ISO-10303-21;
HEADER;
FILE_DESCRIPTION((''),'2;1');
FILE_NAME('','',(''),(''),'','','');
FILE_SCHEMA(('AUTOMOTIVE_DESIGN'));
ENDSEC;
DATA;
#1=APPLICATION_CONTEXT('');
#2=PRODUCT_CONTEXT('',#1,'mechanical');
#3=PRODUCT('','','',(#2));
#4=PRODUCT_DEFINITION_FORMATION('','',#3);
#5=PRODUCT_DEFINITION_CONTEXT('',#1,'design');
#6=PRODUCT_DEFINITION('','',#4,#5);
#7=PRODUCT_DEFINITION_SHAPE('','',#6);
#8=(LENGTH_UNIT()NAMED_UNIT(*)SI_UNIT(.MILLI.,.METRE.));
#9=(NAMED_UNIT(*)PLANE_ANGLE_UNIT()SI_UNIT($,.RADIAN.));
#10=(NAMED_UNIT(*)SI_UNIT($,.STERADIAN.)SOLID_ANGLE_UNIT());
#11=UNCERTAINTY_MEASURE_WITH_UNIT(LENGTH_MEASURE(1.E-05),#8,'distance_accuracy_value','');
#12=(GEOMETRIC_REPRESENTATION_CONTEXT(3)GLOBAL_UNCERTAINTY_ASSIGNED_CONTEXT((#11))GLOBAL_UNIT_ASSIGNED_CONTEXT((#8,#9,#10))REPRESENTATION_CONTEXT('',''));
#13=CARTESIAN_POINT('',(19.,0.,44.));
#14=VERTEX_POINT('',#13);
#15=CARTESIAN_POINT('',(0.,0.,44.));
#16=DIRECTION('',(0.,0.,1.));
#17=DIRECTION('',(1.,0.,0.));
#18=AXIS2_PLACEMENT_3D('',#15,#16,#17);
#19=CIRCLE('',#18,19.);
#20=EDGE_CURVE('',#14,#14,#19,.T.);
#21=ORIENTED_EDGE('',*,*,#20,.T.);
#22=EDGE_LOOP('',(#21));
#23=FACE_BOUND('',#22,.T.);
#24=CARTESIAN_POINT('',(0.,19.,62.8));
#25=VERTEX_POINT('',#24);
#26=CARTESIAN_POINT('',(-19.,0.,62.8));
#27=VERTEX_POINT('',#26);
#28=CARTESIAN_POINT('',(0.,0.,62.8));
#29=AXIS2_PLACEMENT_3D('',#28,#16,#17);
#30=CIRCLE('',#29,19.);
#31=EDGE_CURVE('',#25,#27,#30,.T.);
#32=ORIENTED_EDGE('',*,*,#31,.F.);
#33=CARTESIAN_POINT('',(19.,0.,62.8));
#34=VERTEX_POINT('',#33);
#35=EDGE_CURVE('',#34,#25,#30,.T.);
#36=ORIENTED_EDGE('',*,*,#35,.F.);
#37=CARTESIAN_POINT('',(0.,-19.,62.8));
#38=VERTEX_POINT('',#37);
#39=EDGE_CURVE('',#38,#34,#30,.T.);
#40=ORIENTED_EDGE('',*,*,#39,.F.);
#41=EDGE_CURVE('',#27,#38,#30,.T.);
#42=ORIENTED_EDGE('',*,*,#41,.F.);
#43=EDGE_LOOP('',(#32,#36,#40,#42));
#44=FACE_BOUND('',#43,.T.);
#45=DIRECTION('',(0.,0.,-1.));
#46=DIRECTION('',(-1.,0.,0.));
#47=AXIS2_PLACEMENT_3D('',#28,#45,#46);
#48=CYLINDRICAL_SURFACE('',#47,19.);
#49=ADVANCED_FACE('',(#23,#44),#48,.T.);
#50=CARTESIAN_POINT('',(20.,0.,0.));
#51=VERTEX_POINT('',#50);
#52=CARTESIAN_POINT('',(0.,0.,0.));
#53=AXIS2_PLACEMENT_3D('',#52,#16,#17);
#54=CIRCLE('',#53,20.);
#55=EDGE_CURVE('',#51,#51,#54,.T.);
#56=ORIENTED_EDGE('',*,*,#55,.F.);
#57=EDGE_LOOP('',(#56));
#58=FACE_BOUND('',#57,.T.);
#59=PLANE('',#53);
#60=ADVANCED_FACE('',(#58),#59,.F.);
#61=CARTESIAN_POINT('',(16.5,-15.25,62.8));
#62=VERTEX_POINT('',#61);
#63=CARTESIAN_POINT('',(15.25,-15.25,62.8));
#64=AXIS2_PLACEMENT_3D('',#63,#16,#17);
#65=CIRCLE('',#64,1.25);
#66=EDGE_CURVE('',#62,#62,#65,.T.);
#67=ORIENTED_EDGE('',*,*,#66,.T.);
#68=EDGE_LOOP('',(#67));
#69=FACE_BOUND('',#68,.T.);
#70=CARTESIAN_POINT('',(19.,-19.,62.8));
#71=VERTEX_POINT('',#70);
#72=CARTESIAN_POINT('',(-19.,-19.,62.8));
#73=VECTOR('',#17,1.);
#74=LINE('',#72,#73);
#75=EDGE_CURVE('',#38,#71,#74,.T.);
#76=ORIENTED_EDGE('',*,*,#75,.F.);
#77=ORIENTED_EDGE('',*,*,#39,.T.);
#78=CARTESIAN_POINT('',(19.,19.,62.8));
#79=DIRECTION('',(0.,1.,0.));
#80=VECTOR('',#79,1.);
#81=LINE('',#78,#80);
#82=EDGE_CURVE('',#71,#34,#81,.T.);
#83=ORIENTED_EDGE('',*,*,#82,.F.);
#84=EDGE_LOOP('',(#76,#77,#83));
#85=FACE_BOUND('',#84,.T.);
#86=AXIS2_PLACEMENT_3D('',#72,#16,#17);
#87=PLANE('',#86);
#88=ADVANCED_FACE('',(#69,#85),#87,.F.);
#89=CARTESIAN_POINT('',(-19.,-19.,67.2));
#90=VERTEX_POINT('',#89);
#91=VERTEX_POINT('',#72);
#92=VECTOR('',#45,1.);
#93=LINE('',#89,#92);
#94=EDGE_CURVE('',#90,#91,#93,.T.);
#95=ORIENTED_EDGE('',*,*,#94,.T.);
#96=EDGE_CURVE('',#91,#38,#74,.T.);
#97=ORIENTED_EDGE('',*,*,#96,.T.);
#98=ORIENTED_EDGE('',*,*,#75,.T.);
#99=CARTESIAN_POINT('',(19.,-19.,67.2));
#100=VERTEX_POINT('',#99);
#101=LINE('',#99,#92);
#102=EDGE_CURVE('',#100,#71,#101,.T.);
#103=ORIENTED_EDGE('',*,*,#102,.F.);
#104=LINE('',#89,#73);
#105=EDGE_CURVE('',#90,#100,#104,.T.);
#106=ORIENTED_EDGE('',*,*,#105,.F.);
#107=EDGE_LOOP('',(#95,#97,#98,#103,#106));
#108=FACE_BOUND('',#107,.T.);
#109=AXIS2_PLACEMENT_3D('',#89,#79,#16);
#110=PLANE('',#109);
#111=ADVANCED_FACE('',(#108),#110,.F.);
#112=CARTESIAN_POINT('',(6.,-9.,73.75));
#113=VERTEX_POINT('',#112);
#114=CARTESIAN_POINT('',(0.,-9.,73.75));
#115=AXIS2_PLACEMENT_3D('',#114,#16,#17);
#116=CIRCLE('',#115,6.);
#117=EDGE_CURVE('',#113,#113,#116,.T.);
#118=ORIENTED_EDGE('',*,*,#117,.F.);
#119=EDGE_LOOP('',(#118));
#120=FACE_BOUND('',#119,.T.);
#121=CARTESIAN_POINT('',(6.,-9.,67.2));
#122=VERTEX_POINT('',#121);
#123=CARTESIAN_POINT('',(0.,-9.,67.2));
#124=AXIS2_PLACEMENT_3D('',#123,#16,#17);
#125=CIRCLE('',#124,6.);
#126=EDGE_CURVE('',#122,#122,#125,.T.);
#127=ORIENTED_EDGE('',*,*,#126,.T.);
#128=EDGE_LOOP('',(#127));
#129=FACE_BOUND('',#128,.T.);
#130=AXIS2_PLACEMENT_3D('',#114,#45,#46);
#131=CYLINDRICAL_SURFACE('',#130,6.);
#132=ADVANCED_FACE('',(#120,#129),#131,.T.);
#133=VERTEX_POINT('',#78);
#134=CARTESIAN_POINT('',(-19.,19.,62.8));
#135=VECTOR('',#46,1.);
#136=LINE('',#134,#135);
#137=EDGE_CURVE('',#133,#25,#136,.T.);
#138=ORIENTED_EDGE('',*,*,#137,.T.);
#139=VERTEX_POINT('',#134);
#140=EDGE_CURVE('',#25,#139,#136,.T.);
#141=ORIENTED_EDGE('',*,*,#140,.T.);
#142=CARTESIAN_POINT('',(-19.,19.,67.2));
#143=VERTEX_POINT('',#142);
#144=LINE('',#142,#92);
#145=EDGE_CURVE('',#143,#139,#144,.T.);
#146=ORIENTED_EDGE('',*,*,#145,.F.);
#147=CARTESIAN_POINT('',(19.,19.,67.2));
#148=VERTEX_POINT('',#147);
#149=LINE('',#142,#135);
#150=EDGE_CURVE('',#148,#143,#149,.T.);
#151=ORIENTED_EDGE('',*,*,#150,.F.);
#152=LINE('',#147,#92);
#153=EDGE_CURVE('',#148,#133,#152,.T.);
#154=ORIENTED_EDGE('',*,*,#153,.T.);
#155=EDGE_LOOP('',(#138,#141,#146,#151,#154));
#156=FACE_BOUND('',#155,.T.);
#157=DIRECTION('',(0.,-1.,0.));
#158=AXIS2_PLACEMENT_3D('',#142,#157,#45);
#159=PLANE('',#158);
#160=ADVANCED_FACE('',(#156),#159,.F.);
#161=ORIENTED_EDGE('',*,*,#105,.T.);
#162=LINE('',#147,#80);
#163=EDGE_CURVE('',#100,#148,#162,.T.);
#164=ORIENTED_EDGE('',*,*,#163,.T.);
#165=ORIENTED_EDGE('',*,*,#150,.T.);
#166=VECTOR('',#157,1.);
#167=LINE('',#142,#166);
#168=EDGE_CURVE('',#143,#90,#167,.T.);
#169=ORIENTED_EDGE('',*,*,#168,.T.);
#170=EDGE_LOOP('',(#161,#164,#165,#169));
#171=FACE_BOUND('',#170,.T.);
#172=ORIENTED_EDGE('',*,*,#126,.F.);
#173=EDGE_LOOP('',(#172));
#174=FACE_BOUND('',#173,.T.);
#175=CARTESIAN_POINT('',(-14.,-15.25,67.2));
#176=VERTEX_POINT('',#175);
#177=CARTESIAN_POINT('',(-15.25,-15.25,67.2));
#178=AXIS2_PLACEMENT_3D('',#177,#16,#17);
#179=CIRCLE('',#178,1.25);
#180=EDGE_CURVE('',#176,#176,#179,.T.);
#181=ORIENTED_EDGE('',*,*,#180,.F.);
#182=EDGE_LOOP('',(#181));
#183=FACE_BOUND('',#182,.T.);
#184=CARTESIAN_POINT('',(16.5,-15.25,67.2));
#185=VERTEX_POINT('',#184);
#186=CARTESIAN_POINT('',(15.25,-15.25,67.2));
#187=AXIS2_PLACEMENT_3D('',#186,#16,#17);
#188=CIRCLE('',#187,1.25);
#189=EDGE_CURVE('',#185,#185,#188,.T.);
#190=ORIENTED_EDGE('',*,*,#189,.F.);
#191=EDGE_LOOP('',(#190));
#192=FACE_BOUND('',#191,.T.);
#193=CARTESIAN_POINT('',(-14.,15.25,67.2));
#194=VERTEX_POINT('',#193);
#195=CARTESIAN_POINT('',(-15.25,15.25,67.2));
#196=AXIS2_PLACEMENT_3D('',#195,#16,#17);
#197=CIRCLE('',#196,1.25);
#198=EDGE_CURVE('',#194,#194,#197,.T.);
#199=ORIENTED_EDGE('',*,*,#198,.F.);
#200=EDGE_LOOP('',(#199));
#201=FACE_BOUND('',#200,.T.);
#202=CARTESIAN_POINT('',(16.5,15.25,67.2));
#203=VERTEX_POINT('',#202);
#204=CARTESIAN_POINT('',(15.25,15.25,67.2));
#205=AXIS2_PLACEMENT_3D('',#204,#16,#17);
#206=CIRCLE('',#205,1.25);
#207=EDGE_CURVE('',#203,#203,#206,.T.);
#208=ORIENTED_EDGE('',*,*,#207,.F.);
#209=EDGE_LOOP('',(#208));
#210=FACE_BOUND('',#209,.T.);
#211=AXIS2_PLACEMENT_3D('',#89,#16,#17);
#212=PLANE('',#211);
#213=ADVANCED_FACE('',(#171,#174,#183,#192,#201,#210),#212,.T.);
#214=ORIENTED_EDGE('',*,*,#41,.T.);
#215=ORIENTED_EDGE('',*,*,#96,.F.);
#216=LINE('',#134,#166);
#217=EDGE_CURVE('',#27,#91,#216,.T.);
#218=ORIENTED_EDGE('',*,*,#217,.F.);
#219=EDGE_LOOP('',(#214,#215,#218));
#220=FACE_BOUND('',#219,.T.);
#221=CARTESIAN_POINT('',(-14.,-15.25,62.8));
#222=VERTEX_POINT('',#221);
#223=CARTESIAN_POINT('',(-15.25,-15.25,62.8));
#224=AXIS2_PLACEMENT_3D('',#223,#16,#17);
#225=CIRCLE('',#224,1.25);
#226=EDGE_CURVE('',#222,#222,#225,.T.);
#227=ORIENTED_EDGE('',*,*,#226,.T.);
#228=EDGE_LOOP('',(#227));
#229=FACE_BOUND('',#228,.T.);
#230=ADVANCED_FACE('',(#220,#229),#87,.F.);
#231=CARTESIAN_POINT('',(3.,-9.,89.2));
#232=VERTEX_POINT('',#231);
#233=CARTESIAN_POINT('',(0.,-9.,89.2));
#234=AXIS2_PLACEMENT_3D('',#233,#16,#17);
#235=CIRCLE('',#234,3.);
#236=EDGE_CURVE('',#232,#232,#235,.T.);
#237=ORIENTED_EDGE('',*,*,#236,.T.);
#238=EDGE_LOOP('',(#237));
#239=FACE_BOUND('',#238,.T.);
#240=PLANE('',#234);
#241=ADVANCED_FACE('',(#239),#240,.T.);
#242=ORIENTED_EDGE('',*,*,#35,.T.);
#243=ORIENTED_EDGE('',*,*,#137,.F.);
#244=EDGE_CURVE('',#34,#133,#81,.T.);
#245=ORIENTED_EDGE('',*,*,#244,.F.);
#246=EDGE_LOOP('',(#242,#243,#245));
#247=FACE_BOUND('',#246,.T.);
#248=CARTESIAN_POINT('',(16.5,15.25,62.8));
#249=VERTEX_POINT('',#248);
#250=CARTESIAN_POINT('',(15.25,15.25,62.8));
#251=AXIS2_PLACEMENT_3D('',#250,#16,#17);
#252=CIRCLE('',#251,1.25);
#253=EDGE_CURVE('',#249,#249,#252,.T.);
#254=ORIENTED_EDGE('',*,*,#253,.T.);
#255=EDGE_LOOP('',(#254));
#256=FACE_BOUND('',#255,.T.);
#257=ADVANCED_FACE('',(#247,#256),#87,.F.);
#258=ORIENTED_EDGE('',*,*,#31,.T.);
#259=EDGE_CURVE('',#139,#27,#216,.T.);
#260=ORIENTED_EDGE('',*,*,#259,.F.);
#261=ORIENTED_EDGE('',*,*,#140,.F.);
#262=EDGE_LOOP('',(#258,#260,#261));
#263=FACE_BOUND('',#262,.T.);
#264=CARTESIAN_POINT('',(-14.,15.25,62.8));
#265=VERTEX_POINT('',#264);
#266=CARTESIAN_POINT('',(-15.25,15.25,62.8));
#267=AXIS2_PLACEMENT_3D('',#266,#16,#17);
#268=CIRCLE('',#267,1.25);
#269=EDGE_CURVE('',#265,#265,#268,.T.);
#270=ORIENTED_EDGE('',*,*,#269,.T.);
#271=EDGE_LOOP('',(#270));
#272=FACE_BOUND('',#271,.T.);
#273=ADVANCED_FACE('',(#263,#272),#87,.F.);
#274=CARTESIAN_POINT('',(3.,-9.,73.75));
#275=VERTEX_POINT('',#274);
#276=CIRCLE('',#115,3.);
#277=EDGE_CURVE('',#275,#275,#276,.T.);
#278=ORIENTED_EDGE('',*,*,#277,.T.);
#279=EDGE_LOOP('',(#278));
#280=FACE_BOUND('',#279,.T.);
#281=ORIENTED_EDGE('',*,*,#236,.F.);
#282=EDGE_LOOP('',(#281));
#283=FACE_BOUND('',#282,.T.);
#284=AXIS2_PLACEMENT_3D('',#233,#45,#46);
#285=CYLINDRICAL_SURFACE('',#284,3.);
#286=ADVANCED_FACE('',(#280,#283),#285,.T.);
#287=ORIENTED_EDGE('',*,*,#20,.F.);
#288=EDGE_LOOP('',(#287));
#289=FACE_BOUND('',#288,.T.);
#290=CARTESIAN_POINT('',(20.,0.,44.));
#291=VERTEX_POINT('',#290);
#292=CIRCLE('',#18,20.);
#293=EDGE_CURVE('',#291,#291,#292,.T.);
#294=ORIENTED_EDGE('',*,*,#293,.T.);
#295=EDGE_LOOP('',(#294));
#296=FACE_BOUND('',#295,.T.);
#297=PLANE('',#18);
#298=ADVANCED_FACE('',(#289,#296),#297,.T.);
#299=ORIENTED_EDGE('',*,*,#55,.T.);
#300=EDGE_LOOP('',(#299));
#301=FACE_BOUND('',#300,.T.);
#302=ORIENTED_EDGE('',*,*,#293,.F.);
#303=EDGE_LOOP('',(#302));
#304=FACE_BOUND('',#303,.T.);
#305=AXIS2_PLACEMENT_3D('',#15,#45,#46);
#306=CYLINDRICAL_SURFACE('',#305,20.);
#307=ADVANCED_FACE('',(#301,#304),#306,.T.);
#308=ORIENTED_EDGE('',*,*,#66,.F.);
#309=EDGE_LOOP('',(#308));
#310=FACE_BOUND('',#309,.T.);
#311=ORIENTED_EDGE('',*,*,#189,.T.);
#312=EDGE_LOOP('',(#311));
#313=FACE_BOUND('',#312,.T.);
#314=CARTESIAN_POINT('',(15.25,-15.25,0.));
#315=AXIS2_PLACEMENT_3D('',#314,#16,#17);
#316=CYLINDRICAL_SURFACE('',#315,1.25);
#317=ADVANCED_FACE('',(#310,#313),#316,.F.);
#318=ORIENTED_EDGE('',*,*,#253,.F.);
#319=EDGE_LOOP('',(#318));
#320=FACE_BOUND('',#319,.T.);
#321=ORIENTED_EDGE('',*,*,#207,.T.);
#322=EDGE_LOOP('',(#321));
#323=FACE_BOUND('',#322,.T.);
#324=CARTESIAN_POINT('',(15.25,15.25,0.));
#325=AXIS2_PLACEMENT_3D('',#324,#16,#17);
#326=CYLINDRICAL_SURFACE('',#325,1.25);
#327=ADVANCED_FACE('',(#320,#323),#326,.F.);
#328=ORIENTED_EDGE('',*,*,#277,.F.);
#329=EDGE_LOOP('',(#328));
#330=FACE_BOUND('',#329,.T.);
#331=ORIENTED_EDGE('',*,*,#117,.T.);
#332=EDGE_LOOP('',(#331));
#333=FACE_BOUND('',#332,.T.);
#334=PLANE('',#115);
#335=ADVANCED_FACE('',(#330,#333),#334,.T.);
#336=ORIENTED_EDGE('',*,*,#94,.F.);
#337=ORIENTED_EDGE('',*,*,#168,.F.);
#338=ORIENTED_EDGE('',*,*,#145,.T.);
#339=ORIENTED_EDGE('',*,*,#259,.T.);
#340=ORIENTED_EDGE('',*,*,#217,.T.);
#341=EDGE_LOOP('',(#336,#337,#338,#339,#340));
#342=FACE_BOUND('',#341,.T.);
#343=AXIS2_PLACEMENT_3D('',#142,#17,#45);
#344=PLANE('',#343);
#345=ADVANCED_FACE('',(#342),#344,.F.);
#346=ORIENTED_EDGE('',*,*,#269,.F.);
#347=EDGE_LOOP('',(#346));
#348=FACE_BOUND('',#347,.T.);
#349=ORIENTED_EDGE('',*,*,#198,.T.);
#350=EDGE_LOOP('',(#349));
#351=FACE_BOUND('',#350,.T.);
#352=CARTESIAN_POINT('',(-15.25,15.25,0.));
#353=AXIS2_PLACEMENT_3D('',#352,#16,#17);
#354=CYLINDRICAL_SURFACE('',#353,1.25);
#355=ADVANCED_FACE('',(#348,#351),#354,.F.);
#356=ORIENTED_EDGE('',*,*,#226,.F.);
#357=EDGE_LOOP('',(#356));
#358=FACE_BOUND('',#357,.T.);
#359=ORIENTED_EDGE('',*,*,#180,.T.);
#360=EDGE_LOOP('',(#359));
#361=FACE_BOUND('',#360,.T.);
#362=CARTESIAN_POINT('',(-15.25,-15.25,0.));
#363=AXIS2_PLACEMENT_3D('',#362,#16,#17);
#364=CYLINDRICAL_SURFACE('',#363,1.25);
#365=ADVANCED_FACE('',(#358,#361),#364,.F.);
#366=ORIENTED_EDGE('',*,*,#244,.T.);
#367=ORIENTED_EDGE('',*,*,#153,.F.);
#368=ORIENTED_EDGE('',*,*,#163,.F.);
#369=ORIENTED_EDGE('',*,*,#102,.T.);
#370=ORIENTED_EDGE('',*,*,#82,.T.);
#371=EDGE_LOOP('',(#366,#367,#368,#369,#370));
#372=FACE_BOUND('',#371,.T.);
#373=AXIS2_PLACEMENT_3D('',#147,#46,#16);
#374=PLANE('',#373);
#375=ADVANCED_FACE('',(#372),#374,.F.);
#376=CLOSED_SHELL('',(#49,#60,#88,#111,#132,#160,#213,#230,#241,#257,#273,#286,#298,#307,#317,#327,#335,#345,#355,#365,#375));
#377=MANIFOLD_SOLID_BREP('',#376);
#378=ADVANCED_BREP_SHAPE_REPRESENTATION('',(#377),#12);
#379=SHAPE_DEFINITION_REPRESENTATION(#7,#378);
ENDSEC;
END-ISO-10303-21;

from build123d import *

# Parameters (mm, degrees)
ESQUISSE1_R      = 20
EXTRUSION1_DEPTH = 44
ESQUISSE2_R      = 19
EXTRUSION2_DEPTH = 18.8
ESQUISSE3_W      = 38
ESQUISSE3_H      = 38
EXTRUSION3_DEPTH = 4.4
ESQUISSE4_R      = 1.25
EXTRUSION4_DEPTH = 73.909807296
ESQUISSE5_R      = 6
EXTRUSION5_DEPTH = 6.55
ESQUISSE6_R      = 3
EXTRUSION6_DEPTH = 15.45


with BuildPart() as part:
    # Esquisse1 → Extrusion1 (new body)
    with BuildSketch(Plane.XY):
        Circle(ESQUISSE1_R)
    extrude(amount=EXTRUSION1_DEPTH)

    # Esquisse2 → Extrusion2 (add)
    with BuildSketch(Plane.XY.offset(44)):
        Circle(ESQUISSE2_R)
    extrude(amount=EXTRUSION2_DEPTH)

    # Esquisse3 → Extrusion3 (add)
    with BuildSketch(Plane.XY.offset(62.8)):
        Rectangle(ESQUISSE3_W, ESQUISSE3_H)
    extrude(amount=EXTRUSION3_DEPTH)

    # Esquisse4 → Extrusion4 (cut, through all)
    with BuildSketch(Plane.XY.offset(67.2)):
        with Locations((-15.25, 15.25)):
            Circle(ESQUISSE4_R)
        with Locations((15.25, 15.25)):
            Circle(ESQUISSE4_R)
        with Locations((15.25, -15.25)):
            Circle(ESQUISSE4_R)
        with Locations((-15.25, -15.25)):
            Circle(ESQUISSE4_R)
    extrude(amount=-EXTRUSION4_DEPTH, mode=Mode.SUBTRACT)

    # Esquisse5 → Extrusion5 (add)
    with BuildSketch(Plane.XY.offset(67.2)):
        with Locations((0, -9)):
            Circle(ESQUISSE5_R)
    extrude(amount=EXTRUSION5_DEPTH)

    # Esquisse6 → Extrusion6 (add)
    with BuildSketch(Plane.XY.offset(73.75)):
        with Locations((0, -9)):
            Circle(ESQUISSE6_R)
    extrude(amount=EXTRUSION6_DEPTH)


solid = part.part
